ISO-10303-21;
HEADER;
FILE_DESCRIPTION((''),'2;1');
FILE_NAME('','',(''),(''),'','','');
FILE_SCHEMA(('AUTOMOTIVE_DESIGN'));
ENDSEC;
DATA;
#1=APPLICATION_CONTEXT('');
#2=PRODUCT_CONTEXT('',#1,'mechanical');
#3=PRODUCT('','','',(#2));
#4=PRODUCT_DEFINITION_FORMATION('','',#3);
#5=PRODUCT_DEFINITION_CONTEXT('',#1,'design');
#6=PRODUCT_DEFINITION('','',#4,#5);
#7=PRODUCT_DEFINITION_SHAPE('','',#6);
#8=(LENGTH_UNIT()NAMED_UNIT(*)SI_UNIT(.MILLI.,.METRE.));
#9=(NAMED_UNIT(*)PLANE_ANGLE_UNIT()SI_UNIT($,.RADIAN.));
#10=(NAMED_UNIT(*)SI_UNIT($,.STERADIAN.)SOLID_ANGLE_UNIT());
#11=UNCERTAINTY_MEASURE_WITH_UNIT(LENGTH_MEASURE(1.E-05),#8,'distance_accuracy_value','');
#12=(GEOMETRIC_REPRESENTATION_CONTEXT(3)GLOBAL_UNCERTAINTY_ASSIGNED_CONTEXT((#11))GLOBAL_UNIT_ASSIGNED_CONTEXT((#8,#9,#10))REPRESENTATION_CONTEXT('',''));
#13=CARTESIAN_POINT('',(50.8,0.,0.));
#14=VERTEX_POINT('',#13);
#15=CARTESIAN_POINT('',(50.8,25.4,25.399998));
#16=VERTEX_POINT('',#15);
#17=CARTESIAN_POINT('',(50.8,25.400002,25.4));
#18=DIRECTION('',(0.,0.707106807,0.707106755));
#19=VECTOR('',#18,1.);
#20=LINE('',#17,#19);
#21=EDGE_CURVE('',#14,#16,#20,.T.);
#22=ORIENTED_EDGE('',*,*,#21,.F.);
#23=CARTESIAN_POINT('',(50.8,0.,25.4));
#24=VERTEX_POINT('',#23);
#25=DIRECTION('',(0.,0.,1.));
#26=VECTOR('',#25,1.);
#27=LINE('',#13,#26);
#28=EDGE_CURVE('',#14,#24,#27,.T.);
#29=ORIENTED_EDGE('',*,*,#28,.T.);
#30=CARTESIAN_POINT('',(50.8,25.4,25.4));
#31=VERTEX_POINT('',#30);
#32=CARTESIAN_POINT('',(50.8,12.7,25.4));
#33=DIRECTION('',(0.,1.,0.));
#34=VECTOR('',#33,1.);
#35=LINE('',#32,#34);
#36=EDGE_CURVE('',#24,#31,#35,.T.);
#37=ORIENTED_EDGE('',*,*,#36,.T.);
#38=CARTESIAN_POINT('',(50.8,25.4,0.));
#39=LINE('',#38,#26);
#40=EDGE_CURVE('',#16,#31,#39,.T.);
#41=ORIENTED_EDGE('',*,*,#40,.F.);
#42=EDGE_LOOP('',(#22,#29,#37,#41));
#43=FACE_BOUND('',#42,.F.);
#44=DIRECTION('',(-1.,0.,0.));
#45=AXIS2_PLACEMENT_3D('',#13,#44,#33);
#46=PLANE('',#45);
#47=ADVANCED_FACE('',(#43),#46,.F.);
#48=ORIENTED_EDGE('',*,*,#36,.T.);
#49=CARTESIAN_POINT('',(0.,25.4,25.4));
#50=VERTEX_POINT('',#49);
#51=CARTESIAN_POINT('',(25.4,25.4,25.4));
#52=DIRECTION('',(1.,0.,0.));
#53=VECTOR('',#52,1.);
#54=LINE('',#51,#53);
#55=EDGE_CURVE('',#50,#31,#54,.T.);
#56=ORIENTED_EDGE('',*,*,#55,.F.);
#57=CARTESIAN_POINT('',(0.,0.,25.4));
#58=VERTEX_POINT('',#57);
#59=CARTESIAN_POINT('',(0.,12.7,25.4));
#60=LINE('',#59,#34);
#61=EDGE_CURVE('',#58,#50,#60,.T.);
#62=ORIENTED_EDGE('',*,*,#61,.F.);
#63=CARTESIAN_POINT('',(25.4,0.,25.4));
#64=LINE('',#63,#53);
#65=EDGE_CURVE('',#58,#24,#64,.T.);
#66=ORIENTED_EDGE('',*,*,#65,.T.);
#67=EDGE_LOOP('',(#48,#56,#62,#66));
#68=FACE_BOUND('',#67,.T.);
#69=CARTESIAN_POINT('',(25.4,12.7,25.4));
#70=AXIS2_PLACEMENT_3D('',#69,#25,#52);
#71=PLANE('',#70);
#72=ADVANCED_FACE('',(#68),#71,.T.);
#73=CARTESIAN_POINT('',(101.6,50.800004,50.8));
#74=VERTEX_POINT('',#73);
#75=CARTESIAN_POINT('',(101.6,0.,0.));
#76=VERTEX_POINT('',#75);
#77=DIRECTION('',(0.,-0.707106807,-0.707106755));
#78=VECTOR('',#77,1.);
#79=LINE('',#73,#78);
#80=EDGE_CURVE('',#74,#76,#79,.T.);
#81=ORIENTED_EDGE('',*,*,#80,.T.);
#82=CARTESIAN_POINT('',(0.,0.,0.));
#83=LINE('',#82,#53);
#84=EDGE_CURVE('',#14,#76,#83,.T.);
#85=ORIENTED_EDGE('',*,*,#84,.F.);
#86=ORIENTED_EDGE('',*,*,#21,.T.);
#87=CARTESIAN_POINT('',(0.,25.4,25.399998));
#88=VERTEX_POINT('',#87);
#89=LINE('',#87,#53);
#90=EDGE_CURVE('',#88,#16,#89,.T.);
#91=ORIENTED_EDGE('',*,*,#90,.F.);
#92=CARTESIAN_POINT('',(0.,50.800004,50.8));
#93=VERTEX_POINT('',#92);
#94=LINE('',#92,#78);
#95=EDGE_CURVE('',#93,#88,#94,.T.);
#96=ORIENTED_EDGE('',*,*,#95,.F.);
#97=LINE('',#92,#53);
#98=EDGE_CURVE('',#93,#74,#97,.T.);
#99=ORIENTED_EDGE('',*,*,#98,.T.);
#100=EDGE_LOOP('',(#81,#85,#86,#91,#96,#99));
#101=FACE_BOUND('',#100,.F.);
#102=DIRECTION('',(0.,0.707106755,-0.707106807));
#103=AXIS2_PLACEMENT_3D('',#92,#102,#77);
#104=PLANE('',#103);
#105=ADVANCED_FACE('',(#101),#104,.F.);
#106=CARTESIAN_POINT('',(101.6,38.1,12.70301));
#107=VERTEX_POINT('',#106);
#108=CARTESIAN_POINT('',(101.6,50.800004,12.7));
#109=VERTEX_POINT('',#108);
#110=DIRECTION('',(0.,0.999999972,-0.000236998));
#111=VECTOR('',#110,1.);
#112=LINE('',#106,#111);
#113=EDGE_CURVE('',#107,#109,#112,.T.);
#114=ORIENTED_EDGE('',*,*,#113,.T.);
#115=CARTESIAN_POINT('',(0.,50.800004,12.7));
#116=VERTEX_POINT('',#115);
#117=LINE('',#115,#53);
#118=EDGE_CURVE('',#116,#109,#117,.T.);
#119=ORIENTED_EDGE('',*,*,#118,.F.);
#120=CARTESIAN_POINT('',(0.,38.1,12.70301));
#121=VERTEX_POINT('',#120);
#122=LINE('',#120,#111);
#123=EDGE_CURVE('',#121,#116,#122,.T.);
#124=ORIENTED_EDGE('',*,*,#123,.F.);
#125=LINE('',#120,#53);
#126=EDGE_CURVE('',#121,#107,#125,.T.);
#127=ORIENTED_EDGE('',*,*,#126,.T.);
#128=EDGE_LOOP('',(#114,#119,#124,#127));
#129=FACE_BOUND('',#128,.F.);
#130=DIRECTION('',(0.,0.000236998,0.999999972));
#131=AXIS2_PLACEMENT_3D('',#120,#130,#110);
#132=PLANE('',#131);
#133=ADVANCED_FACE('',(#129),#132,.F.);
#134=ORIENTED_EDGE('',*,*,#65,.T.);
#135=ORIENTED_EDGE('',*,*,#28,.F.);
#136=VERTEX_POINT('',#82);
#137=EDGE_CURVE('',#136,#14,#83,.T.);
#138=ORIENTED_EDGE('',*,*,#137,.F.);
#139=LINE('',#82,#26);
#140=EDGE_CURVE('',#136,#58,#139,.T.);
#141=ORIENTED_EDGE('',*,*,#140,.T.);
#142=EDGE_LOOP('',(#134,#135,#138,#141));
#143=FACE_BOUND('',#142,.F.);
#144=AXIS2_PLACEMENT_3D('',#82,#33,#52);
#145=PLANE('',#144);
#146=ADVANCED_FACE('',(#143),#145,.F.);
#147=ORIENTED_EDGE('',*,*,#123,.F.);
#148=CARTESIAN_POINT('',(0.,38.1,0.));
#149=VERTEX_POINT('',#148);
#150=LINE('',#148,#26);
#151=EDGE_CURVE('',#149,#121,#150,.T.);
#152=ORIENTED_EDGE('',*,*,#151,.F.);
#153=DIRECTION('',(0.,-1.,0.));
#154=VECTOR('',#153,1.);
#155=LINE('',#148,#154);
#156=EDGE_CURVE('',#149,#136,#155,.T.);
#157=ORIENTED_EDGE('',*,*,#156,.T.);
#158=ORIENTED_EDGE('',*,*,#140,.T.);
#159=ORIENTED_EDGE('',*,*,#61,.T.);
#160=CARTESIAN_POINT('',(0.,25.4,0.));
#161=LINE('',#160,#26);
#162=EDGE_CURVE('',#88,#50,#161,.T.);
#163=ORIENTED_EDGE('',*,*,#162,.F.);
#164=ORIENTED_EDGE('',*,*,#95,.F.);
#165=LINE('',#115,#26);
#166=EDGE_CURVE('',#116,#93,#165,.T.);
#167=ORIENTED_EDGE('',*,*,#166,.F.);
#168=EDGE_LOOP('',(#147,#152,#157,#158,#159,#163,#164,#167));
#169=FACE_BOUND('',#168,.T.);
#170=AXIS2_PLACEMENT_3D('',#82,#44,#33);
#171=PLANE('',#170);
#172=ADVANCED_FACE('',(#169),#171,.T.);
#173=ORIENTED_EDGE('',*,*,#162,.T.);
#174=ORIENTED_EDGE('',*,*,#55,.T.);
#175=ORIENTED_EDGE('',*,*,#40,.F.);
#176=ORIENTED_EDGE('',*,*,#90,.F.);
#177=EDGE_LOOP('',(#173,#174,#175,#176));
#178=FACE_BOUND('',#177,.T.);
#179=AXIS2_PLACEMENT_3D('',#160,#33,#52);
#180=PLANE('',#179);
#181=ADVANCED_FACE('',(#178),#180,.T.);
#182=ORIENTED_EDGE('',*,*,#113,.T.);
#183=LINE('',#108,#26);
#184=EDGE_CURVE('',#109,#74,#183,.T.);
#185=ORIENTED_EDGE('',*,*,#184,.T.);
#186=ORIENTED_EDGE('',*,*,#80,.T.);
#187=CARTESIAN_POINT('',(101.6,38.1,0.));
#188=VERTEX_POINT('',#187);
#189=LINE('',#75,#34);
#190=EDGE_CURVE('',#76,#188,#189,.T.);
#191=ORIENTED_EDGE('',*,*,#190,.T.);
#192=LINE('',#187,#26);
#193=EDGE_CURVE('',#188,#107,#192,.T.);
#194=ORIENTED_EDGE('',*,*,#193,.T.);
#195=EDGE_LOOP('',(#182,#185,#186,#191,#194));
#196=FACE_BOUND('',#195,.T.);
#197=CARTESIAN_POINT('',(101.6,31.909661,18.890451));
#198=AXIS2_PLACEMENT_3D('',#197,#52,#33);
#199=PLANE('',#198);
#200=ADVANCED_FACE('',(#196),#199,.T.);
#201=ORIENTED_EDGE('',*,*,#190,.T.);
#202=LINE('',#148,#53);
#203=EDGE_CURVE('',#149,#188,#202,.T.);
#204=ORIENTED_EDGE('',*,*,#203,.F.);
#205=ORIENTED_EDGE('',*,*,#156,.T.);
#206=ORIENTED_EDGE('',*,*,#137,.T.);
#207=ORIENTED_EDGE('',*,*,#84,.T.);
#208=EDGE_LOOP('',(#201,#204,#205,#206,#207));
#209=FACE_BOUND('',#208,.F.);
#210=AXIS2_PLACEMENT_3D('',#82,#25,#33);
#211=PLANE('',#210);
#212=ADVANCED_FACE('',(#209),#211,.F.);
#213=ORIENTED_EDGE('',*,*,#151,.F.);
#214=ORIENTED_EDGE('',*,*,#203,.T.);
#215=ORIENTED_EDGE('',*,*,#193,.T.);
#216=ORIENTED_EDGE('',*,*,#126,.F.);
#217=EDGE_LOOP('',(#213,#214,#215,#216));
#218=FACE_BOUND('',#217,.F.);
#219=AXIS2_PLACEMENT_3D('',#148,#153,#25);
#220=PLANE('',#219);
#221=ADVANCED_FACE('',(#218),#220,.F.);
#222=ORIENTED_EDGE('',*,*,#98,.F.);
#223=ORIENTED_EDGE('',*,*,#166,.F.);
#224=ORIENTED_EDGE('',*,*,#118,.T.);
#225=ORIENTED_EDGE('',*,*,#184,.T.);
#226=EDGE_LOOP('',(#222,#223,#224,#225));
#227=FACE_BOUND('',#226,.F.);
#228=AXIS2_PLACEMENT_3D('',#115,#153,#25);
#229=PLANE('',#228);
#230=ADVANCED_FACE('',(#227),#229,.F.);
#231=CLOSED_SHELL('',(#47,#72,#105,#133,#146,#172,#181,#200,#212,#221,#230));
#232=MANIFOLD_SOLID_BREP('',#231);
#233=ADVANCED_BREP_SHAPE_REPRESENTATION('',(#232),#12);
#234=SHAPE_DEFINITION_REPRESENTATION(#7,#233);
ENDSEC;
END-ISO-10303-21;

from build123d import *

# Parameters (mm, degrees)
F1_DEPTH = 101.6
F2_W     = 50.8
F2_H     = 25.4
F3_DEPTH = 25.4


with BuildPart() as f1:
    # F0 (on Right) → F1 (new body)
    with BuildSketch(Plane.YZ):
        Polygon((50.8000037106, 12.7), (50.8000037106, 50.8), (0, 0), (38.1, 0), (38.1, 12.7030098811), align=None)
    extrude(amount=F1_DEPTH)

    # F2 (on Top) → F3 (join)
    with BuildSketch(Plane.XY):
        with Locations((25.4, 12.7)):
            Rectangle(F2_W, F2_H)
    extrude(amount=F3_DEPTH)


solid = f1.part
